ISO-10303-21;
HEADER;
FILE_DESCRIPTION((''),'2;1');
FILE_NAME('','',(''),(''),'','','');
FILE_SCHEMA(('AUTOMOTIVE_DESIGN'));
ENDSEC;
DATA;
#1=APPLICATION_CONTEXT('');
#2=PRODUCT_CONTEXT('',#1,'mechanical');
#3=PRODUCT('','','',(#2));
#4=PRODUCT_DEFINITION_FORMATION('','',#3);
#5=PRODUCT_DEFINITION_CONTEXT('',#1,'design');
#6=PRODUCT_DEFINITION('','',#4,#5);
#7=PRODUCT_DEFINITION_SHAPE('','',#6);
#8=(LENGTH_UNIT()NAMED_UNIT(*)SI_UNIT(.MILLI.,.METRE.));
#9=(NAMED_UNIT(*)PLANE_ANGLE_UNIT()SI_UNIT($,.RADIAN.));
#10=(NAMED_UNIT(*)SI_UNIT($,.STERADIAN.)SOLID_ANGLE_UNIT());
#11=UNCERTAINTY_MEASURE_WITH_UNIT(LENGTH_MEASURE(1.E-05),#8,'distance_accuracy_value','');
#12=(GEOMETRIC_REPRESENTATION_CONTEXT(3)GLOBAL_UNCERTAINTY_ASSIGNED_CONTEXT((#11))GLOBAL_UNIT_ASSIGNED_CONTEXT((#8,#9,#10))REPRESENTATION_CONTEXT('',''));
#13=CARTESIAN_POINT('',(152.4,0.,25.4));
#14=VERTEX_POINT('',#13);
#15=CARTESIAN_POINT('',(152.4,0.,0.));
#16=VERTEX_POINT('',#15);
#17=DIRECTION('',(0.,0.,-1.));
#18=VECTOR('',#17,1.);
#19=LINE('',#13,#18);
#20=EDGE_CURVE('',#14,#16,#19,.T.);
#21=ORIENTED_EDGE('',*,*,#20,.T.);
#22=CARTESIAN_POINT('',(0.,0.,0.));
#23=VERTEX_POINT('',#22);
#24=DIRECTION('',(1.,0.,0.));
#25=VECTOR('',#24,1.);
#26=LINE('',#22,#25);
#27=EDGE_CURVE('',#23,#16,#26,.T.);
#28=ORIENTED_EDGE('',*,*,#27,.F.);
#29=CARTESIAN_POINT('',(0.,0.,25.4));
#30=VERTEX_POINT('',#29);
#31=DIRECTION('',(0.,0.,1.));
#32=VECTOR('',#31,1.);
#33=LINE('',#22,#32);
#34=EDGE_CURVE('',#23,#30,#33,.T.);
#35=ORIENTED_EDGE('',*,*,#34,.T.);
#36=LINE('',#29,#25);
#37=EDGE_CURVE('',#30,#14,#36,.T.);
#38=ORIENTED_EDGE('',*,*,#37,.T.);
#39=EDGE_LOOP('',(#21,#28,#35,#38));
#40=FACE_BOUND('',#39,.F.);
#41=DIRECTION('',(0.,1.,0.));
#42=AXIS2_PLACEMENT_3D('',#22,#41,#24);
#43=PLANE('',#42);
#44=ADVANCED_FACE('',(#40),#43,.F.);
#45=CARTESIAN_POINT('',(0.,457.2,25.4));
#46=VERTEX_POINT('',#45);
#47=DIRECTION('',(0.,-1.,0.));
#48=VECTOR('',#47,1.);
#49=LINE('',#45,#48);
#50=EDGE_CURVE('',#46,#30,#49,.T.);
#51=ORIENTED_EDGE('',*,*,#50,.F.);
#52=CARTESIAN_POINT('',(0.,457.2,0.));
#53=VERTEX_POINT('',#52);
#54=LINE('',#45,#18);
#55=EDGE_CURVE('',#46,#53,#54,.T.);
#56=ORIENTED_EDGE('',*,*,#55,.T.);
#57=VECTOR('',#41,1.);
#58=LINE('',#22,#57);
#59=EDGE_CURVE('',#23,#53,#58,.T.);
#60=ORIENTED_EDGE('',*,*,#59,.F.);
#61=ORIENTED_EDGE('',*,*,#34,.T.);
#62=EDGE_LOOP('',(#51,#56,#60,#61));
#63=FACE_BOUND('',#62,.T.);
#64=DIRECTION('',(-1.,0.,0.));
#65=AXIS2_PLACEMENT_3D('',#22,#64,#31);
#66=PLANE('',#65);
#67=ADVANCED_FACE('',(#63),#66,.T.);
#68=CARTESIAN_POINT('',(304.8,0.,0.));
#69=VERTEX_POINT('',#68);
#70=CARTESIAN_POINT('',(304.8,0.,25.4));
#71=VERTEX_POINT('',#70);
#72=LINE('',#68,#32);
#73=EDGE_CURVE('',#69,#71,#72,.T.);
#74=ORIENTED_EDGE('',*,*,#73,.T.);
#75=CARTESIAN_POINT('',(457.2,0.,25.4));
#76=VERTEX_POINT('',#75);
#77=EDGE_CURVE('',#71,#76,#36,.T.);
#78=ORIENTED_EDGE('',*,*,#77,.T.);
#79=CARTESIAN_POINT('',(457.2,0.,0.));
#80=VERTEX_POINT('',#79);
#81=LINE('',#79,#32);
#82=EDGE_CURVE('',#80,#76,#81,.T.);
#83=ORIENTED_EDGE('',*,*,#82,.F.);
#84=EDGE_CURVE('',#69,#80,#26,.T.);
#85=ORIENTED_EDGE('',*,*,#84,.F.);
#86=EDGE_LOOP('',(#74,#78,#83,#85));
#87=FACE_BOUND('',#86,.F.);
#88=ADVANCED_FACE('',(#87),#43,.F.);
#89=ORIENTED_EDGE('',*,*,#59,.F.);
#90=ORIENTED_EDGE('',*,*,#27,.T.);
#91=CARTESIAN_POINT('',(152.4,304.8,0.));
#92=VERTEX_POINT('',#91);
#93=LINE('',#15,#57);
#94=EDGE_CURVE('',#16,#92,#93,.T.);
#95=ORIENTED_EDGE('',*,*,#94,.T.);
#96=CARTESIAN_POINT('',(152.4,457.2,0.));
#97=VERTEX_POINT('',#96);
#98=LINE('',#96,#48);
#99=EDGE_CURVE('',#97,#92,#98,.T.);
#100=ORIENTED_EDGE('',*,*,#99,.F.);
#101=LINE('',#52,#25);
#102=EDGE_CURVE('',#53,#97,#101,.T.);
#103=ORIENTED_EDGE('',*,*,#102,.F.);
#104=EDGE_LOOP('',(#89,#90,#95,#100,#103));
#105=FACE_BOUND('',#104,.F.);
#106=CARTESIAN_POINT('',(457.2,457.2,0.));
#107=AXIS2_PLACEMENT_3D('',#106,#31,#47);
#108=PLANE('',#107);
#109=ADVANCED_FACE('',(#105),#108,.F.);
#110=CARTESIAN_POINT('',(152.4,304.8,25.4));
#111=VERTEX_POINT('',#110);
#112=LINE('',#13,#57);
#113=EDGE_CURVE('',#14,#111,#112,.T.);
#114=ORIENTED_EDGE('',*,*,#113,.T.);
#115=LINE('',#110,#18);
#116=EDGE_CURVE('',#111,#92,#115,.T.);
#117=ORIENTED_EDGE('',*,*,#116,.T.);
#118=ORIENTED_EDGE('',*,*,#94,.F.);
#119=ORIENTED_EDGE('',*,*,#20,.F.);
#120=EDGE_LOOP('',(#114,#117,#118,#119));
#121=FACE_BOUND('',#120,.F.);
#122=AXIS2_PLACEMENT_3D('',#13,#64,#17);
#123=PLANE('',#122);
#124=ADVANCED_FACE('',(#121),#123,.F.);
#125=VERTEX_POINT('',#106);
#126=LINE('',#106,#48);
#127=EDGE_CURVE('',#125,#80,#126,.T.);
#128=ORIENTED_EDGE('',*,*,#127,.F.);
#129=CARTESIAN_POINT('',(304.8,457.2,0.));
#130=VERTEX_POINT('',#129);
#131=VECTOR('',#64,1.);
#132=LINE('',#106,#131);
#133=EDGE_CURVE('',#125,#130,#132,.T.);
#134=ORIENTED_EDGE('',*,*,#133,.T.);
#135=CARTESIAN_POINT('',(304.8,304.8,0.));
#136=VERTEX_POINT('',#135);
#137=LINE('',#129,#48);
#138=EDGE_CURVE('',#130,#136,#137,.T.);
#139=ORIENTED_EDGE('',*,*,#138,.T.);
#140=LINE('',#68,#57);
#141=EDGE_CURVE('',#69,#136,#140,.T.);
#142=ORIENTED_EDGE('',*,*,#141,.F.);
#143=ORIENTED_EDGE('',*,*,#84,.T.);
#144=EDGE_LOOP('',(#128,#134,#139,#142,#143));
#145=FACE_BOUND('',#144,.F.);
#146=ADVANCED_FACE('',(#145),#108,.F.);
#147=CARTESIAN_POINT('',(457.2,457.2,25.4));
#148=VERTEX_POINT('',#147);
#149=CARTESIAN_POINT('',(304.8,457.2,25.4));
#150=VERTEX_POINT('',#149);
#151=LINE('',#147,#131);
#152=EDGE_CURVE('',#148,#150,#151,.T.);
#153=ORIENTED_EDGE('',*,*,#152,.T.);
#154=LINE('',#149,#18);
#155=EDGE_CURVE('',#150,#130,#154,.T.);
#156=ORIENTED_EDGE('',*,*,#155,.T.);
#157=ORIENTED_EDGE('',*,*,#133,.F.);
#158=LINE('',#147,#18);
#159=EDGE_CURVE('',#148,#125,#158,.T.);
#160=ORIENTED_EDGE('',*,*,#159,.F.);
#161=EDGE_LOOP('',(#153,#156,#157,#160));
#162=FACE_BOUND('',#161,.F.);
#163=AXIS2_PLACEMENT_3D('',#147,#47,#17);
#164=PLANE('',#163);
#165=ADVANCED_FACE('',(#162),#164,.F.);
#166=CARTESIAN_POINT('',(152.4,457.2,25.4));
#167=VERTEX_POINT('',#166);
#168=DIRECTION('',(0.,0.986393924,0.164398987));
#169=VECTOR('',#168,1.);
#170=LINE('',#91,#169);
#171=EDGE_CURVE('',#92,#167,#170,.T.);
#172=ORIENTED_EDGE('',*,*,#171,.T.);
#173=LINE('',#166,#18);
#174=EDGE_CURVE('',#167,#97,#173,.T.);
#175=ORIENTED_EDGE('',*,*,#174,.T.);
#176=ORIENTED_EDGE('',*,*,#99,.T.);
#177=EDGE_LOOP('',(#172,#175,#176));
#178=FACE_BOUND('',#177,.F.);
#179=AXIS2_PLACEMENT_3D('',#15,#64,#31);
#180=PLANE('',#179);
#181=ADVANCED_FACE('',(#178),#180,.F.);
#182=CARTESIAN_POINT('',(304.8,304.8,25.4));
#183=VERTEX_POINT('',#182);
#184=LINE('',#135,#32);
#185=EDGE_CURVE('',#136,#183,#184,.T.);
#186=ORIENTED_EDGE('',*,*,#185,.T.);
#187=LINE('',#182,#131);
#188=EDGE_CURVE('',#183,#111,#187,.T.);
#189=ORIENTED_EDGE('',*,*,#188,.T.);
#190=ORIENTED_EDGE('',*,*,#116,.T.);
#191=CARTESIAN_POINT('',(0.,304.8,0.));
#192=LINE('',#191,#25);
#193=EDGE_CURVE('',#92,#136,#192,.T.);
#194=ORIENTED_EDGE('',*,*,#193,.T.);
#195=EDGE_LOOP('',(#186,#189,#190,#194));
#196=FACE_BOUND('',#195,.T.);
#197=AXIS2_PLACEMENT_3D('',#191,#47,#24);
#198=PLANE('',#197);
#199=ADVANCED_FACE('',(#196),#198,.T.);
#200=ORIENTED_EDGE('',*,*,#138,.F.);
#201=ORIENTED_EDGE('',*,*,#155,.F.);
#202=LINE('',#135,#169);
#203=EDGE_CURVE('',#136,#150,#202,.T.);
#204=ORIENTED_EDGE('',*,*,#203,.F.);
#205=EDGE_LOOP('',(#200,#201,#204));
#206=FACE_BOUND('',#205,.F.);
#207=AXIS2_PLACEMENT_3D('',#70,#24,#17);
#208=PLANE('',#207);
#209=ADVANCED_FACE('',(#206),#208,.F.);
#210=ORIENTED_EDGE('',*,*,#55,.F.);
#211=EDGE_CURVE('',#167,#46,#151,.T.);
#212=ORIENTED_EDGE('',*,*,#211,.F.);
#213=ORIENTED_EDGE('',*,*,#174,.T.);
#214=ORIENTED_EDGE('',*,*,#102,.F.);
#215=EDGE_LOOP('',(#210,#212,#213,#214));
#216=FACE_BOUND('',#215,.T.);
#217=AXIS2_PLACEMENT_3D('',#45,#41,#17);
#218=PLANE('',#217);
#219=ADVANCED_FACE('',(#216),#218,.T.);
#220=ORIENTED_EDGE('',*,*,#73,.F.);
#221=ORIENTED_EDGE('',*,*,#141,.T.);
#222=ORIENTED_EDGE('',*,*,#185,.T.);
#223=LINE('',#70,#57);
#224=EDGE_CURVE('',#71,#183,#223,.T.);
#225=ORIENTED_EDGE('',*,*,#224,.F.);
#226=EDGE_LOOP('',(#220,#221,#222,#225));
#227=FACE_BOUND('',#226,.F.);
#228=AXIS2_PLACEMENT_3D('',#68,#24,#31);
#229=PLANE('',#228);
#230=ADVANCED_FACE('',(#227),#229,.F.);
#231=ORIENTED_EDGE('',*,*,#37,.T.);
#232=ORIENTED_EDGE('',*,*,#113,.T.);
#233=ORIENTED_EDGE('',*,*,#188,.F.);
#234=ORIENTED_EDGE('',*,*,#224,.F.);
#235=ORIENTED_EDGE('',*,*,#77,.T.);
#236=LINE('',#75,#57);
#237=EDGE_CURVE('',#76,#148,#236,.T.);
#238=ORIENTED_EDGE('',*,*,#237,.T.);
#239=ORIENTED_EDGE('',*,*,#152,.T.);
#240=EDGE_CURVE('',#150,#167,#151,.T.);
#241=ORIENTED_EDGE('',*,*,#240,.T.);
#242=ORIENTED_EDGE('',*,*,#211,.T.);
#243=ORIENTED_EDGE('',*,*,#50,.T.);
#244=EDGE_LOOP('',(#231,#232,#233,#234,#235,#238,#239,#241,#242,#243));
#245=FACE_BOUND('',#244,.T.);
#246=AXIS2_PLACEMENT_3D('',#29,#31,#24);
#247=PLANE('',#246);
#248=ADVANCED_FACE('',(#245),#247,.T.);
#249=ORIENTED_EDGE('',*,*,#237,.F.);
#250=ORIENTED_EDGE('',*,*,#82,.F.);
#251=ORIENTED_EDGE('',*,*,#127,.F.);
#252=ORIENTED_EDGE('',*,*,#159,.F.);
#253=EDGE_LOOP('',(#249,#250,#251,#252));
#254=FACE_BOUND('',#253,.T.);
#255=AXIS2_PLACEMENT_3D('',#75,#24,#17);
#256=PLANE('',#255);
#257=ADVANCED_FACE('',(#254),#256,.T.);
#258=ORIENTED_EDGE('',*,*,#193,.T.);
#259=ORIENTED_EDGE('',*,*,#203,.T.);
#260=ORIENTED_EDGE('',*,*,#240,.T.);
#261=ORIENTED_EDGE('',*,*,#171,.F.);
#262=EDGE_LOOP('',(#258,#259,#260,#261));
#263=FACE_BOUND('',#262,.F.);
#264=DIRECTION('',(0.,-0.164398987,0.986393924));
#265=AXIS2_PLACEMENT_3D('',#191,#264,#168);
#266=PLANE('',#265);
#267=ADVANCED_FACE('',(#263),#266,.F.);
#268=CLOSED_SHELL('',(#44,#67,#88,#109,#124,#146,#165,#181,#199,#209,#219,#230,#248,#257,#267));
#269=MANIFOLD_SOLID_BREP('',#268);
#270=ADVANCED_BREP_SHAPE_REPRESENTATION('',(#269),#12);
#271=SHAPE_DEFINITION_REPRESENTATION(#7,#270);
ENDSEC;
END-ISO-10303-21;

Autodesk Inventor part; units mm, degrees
ref_plane "YZ Plane" through (0, 0, 0) normal (1, 0, 0) x (0, 1, 0)
ref_plane "XZ Plane" through (0, 0, 0) normal (0, 1, 0) x (-1, 0, 0)
ref_plane "XY Plane" through (0, 0, 0) normal (0, 0, 1) x (1, 0, 0)
sketch "Sketch1" plane through (0, 0, 0) normal (0, 0, 1) x (1, 0, 0)
  line L0 (0, 0) -> (457.2, 0)
  line L1 (457.2, 0) -> (457.2, 457.2)
  line L2 (457.2, 457.2) -> (0, 457.2)
  line L3 (0, 457.2) -> (0, 0)
  dimension "d0" = 457.2
  dimension "d1" = 457.2
extrude "Extrusion1" add sketch "Sketch1" along normal blind 25.4
sketch "Sketch2" plane through (0, 0, 0) normal (-1, 0, 0) x (0, 0, 1)
  line L0 (0, 457.2) -> (25.4, 457.2) projected
  line L1 (0, 457.2) -> (0, 304.8)
  line L2 (0, 0) -> (0, 457.2) projected
  line L3 (25.4, 0) -> (25.4, 457.2) projected
  line L4 (0, 304.8) -> (25.4, 457.2)
  dimension "d4" = 152.4
extrude "Extrusion2" cut sketch "Sketch2" against normal blind 457.2
sketch "Sketch3" plane through (0, 0, 0) normal (-1, 0, 0) x (0, 0, 1)
  line L0 (25.4, 457.2) -> (25.4, 0) projected
  line L1 (25.4, 457.2) -> (0, 457.2)
  line L2 (0, 304.8) -> (0, 0) projected
  line L3 (0, 457.2) -> (0, 304.8)
  line L4 (0, 304.8) -> (25.4, 457.2)
extrude "Extrusion3" add sketch "Sketch3" against normal blind 152.4
sketch "Sketch4" plane through (457.2, 0, 25.4) normal (1, 0, 0) x (0, 0, -1)
  line L0 (0, 0) -> (0, 457.2) projected
  line L1 (0, 457.2) -> (25.4, 457.2)
  line L2 (25.4, 304.8) -> (0, 457.2) projected
  line L3 (25.4, 457.2) -> (25.4, 304.8)
  line L4 (25.4, 304.8) -> (0, 457.2)
  point P0 (25.4, 0)
extrude "Extrusion4" add sketch "Sketch4" against normal blind 152.4
sketch "Sketch5" plane through (0, 0, 0) normal (0, -1, 0) x (1, 0, 0)
  line L0 (304.8, 25.4) -> (152.4, 25.4) projected
  line L1 (304.8, 25.4) -> (152.4, 25.4)
  line L2 (152.4, 25.4) -> (152.4, 0)
  line L3 (152.4, 0) -> (304.8, 0)
  line L4 (304.8, 0) -> (304.8, 25.4)
  point P0 (0, 0)
extrude "Extrusion5" cut sketch "Sketch5" against normal blind 304.8
properties part number "BackLiftProtoPart3"
